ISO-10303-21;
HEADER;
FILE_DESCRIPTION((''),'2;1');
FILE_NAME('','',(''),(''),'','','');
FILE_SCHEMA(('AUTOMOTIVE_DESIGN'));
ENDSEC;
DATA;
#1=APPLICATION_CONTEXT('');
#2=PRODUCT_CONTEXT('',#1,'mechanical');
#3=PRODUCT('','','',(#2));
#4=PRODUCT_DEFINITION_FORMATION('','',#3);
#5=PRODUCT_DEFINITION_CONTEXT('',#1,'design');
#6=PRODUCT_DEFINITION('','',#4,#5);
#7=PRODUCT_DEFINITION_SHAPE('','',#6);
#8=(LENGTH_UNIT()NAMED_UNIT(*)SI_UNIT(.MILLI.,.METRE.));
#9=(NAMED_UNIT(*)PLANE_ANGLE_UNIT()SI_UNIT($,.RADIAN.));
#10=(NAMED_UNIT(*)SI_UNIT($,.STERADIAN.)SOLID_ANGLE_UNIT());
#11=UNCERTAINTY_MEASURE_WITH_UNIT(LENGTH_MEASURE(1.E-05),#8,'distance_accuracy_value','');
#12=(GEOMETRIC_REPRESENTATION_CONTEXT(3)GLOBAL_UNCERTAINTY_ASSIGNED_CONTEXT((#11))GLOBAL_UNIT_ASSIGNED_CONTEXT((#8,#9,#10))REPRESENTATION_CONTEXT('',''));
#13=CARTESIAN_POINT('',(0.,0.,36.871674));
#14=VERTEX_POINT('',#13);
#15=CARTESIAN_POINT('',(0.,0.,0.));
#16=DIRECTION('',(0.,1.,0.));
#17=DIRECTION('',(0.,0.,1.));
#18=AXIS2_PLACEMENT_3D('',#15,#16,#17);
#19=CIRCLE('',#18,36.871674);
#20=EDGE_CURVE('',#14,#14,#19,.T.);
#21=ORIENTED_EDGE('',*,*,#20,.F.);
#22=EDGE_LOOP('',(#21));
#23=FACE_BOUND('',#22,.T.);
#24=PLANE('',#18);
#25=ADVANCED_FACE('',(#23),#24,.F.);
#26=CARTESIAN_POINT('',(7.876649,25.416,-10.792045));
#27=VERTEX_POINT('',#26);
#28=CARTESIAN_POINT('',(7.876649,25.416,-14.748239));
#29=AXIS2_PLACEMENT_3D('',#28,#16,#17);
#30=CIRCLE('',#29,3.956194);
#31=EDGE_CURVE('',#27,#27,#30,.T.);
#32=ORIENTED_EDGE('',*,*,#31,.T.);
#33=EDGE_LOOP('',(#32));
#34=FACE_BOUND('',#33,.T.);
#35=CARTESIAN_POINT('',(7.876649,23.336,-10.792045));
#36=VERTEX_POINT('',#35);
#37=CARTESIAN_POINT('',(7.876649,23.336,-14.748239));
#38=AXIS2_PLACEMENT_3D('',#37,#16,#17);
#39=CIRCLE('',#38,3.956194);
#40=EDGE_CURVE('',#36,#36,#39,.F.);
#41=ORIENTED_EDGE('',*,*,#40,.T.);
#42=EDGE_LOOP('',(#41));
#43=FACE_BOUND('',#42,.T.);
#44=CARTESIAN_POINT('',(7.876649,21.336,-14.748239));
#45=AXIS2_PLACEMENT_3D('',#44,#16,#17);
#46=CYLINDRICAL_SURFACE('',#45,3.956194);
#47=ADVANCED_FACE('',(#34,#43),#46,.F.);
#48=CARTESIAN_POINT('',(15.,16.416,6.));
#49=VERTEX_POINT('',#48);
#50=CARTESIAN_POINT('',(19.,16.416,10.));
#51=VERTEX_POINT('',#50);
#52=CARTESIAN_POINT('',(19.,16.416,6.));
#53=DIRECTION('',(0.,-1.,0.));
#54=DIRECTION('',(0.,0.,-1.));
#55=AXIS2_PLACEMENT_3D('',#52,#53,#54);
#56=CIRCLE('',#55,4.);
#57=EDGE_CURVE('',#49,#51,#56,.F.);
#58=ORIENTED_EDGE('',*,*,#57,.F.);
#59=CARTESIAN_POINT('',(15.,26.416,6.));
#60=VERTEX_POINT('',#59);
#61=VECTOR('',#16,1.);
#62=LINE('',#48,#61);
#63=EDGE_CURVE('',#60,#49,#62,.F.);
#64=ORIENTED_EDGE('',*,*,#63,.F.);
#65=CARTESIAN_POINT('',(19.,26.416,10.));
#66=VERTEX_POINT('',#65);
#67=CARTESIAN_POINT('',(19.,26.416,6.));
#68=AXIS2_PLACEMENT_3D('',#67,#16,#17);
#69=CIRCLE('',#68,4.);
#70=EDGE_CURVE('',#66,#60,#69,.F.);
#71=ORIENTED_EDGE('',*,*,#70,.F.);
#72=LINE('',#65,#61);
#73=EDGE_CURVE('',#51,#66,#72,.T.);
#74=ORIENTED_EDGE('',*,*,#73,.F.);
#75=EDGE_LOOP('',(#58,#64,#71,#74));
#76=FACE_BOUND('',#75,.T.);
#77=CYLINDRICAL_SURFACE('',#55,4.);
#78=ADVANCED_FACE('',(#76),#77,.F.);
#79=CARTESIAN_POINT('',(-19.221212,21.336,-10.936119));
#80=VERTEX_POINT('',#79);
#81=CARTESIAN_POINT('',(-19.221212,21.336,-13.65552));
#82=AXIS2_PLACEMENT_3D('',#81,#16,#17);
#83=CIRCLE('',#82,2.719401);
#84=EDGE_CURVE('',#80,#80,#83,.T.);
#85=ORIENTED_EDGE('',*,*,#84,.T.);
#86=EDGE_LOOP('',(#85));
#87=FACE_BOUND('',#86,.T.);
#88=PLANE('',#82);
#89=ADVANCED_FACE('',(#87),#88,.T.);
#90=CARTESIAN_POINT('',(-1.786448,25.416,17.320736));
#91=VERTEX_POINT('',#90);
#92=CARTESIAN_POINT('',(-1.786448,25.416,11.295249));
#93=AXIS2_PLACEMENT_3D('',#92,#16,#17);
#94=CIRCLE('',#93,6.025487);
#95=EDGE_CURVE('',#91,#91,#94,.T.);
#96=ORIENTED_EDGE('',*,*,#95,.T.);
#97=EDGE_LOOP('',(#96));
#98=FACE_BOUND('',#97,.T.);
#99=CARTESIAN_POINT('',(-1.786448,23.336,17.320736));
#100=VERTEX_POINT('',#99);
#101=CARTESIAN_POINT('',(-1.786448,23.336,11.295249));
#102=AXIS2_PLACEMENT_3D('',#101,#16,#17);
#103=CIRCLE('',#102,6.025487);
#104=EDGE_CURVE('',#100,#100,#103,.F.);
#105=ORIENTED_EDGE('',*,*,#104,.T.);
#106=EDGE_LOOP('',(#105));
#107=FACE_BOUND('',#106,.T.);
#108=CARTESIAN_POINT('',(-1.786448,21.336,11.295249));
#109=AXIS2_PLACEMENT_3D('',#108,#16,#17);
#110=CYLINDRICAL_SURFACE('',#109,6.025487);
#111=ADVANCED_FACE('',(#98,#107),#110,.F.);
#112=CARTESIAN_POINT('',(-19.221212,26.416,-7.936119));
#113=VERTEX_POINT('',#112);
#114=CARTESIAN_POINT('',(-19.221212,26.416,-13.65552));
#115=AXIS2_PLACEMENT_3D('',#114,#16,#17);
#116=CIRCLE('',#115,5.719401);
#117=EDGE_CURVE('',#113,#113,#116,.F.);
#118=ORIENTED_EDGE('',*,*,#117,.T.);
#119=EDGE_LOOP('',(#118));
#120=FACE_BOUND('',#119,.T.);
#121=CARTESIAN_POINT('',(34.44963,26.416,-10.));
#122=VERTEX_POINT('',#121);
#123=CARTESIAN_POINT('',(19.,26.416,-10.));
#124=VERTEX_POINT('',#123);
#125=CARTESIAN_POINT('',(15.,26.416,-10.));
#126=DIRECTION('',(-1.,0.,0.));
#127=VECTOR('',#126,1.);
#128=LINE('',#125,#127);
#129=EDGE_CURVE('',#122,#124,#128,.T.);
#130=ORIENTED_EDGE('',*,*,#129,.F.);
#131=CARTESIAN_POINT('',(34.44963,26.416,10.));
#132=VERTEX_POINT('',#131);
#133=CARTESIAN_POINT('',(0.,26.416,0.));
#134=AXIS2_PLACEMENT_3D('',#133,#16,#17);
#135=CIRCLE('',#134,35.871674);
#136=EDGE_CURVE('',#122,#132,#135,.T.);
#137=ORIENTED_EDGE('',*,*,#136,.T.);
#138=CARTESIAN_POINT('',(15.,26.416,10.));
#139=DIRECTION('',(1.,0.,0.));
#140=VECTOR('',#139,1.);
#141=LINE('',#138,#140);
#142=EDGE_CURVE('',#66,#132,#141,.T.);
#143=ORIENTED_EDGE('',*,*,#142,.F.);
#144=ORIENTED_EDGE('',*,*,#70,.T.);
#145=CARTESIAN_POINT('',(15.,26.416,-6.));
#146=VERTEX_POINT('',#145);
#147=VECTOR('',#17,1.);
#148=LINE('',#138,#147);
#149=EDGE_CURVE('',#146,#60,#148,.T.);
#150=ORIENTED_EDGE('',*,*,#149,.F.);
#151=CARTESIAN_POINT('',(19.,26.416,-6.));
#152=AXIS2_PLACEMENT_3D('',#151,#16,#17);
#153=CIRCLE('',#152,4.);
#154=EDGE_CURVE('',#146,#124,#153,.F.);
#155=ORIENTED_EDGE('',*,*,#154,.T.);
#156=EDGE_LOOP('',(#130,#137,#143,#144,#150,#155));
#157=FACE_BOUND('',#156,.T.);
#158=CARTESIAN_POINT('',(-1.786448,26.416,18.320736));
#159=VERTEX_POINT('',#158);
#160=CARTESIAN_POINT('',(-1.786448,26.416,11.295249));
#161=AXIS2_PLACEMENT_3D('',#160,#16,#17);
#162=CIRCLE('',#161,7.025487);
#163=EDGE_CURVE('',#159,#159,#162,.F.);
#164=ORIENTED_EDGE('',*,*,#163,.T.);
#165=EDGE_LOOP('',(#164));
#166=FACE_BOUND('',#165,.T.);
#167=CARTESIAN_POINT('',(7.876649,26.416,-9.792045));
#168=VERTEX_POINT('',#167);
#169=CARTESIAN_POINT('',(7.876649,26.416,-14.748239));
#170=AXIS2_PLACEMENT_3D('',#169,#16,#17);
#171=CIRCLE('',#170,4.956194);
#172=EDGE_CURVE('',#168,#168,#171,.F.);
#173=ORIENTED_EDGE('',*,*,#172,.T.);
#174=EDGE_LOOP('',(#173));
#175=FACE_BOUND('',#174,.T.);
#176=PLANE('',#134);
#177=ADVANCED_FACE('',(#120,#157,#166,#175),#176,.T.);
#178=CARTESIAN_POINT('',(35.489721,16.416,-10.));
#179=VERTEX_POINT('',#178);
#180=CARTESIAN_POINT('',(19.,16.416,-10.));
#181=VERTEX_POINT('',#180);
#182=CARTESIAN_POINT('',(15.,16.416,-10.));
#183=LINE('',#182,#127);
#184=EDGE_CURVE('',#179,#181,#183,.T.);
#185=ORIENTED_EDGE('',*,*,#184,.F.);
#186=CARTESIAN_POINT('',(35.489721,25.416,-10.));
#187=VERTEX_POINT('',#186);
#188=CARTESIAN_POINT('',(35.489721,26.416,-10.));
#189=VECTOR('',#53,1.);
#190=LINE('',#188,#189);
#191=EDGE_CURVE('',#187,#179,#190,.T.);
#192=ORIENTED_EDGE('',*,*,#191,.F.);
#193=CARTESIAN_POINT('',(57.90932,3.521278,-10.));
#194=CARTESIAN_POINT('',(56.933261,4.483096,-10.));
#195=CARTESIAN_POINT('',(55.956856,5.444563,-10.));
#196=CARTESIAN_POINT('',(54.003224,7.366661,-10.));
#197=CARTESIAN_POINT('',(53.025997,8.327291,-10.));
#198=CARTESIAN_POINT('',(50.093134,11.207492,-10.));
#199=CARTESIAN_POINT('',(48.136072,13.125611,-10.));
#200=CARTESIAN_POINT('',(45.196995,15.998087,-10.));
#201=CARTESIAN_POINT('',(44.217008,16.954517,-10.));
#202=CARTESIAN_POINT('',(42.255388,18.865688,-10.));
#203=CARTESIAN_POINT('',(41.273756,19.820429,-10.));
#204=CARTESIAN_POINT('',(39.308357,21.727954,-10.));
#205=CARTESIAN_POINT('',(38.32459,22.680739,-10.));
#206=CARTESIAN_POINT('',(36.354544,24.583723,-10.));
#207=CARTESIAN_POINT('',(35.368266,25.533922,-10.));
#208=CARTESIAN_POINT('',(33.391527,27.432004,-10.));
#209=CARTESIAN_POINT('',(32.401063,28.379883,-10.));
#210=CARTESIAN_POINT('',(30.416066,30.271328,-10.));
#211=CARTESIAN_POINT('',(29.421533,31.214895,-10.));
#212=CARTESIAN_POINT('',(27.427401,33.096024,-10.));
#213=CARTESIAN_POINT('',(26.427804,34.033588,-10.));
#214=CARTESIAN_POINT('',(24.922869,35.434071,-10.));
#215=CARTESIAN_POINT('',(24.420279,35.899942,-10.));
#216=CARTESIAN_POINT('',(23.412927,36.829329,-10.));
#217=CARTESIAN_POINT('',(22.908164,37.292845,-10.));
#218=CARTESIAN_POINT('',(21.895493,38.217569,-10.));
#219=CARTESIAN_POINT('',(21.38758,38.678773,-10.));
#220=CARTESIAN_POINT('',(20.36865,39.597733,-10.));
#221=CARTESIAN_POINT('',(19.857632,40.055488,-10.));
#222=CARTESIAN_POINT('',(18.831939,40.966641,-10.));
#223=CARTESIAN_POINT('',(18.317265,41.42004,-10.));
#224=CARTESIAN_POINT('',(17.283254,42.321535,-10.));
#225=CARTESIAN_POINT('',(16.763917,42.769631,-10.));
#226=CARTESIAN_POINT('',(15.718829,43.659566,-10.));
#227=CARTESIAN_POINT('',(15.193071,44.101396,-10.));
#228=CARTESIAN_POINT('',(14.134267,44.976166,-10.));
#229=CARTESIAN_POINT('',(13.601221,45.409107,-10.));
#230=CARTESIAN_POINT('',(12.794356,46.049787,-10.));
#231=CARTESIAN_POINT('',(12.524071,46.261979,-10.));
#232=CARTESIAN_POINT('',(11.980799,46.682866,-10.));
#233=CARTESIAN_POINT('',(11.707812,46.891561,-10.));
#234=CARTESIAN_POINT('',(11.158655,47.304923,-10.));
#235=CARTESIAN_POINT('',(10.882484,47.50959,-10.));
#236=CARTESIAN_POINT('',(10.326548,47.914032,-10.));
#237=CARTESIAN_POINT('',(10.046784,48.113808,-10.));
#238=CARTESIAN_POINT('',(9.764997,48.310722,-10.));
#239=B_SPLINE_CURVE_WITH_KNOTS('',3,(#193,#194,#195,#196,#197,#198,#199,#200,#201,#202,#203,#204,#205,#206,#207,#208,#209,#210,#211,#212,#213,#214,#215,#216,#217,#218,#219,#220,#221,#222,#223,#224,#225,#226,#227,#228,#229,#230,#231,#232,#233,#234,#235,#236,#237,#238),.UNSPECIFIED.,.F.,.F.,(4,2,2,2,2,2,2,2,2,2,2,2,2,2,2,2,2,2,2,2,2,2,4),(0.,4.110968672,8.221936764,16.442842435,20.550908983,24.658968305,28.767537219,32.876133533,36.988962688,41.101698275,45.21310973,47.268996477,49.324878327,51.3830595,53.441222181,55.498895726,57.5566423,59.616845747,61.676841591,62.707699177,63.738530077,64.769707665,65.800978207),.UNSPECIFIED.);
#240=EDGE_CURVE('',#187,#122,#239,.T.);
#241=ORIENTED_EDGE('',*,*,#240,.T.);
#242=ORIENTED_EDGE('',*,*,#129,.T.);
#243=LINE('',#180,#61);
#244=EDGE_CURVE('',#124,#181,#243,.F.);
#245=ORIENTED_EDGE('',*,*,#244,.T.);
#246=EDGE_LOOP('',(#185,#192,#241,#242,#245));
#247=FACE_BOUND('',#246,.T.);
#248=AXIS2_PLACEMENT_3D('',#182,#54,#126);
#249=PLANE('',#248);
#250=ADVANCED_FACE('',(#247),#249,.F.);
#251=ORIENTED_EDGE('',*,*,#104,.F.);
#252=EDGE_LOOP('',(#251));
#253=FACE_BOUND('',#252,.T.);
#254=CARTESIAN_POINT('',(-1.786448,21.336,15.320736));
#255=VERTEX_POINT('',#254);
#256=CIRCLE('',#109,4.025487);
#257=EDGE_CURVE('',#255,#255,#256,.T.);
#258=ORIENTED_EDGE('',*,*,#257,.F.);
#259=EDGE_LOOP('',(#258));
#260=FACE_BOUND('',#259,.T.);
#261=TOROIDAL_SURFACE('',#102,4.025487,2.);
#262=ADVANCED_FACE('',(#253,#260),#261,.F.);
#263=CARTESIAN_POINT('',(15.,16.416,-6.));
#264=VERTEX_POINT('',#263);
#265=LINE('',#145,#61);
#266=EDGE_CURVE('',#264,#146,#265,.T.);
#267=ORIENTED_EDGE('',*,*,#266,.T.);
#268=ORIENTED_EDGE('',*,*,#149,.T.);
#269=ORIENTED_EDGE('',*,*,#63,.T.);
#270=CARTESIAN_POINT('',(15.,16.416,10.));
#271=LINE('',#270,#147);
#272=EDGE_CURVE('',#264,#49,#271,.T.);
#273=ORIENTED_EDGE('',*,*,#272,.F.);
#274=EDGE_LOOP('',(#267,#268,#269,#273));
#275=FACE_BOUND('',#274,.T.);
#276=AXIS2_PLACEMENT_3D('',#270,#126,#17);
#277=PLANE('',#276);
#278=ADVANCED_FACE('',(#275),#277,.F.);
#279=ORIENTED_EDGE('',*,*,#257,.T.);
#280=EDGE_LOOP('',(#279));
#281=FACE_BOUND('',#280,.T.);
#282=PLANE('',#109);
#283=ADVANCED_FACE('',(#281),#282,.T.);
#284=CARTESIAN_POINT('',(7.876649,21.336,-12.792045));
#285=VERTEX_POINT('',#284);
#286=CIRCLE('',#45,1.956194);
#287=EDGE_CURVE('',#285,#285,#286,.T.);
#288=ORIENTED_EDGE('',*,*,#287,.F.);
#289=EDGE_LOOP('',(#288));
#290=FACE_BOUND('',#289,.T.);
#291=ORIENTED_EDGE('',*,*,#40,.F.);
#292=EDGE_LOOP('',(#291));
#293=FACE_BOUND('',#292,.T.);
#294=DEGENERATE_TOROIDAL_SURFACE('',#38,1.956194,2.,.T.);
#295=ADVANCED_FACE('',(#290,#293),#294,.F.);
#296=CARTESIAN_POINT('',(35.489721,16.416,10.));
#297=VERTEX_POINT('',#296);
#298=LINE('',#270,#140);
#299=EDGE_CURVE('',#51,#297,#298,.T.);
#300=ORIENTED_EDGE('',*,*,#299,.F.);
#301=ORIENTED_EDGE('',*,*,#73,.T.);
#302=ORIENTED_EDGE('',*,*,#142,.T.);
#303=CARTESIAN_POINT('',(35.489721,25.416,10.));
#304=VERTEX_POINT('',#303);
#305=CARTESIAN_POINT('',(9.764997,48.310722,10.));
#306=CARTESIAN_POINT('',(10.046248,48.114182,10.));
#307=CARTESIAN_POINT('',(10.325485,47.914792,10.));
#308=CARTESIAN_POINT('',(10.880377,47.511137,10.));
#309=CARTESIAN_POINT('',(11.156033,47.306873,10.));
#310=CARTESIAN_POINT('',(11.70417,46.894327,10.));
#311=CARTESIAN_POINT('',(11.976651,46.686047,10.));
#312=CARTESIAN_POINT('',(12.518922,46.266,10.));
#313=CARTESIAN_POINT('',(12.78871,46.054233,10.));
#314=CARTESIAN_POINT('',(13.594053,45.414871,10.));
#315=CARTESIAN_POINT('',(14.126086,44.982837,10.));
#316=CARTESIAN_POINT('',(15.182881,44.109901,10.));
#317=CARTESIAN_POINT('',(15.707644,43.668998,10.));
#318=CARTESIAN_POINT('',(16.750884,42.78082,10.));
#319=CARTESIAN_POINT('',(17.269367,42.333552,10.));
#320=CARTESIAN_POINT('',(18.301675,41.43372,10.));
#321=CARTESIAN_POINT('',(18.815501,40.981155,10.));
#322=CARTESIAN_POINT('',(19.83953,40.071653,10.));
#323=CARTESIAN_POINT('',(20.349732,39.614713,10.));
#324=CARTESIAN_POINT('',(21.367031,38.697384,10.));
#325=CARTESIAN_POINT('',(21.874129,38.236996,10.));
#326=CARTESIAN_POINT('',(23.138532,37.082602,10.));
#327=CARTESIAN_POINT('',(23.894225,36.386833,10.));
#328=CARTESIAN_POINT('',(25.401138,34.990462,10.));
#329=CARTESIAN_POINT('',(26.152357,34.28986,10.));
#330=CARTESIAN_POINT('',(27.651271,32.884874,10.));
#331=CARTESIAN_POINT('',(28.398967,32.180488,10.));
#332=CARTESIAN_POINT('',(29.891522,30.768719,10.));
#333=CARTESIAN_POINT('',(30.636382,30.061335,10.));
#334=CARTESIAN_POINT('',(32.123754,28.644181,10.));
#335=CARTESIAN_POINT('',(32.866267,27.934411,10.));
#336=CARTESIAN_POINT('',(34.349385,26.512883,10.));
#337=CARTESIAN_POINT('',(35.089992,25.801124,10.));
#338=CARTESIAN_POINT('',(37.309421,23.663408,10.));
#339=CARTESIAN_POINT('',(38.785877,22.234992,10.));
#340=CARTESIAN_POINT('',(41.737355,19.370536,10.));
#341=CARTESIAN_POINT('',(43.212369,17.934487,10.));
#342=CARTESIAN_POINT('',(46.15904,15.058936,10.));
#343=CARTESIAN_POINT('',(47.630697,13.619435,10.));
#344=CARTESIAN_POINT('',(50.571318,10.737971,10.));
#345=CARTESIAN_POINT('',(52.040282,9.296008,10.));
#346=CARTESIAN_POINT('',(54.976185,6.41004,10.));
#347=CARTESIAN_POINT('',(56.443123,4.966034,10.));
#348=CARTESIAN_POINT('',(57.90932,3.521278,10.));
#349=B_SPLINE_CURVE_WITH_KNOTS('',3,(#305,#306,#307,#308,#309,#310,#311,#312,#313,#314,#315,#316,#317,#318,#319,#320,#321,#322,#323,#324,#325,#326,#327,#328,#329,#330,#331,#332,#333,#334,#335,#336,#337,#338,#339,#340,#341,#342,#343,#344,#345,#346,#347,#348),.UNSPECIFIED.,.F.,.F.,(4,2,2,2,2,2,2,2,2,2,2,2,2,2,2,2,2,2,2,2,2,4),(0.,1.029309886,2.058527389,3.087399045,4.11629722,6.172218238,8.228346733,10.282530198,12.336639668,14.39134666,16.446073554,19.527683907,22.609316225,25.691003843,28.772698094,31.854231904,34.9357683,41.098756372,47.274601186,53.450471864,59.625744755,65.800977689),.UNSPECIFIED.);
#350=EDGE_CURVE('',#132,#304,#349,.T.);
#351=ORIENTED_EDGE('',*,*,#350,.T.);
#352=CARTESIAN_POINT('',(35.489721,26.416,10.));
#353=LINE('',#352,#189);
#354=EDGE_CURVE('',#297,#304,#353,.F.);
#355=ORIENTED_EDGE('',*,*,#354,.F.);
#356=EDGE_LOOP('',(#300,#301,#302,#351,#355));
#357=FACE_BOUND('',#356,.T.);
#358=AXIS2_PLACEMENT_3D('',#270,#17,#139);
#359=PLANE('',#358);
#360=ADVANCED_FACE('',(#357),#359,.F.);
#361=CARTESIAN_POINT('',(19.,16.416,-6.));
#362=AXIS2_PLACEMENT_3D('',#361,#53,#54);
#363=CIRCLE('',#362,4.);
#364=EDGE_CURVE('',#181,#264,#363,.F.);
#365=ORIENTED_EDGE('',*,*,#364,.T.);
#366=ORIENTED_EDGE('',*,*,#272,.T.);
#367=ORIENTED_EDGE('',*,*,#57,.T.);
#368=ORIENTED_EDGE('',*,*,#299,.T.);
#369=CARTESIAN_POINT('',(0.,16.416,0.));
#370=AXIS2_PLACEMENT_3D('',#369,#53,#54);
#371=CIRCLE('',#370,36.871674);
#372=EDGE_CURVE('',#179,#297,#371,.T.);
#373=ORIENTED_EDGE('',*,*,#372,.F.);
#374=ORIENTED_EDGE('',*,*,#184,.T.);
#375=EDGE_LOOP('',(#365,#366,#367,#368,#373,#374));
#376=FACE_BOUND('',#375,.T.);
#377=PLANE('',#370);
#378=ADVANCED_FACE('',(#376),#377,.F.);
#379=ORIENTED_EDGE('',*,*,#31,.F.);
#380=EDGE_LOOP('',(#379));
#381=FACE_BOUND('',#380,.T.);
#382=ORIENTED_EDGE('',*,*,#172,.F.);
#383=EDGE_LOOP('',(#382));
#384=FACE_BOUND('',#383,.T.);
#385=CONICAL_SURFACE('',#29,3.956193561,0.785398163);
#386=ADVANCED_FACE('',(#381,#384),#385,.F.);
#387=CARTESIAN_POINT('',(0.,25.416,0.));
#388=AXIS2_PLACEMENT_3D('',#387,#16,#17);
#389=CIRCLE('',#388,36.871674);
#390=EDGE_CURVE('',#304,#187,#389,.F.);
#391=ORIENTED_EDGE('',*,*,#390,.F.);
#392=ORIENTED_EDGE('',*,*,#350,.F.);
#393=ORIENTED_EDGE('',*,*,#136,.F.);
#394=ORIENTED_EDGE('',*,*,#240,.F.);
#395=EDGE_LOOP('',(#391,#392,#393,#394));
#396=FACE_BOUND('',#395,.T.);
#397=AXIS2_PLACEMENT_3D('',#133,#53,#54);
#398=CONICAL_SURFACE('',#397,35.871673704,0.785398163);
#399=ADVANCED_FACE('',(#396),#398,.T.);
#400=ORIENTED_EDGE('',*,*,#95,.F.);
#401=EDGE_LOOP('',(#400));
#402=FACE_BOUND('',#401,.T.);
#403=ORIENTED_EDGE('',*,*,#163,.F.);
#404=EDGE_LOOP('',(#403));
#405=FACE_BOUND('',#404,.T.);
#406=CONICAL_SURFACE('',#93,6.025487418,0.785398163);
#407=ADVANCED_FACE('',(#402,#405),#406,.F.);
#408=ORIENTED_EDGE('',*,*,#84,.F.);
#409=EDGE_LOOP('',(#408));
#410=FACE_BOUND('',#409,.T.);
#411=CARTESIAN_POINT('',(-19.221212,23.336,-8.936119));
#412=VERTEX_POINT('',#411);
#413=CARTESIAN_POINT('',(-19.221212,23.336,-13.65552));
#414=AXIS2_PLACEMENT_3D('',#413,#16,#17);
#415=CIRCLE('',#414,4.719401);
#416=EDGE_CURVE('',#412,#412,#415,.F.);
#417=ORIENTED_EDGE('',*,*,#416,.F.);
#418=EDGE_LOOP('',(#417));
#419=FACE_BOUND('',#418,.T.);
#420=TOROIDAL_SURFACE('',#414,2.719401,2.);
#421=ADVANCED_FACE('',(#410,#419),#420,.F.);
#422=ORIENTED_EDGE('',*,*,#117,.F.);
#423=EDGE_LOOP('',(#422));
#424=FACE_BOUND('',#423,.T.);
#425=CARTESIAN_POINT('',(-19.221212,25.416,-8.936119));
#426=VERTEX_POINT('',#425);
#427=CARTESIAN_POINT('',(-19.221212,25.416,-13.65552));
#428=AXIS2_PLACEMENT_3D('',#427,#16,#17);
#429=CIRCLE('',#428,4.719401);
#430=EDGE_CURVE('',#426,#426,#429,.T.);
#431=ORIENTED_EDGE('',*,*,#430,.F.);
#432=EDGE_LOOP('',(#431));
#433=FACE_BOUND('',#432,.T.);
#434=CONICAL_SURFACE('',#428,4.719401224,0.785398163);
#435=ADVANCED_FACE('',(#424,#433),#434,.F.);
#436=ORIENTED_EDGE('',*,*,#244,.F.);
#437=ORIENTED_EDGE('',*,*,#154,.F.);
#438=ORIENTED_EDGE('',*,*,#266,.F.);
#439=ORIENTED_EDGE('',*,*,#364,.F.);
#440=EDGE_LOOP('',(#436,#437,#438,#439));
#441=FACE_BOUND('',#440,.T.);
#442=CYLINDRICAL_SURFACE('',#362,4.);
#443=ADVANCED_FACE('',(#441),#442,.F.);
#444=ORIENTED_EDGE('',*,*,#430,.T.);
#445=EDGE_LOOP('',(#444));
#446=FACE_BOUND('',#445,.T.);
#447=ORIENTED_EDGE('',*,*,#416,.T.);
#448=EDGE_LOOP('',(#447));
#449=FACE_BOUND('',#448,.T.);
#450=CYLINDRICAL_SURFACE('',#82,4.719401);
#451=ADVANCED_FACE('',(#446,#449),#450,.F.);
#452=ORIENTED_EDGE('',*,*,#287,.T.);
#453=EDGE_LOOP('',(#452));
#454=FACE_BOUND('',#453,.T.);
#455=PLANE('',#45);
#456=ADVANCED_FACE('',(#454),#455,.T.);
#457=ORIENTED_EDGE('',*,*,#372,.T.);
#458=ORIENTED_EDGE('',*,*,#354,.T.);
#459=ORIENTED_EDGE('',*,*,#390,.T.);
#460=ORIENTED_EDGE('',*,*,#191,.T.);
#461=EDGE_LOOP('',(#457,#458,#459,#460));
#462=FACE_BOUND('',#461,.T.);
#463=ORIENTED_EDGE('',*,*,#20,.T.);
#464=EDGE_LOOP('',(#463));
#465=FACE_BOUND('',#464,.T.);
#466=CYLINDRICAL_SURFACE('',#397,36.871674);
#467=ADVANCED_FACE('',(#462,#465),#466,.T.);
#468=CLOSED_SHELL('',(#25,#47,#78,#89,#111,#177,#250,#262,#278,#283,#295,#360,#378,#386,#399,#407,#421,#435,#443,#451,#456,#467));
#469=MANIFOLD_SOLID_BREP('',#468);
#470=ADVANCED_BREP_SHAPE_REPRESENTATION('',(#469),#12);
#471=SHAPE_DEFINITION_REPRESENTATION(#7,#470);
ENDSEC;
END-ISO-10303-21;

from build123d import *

# Parameters (mm, degrees)
SKETCH1_R           = 36.871673704
BOSS_EXTRUDE1_DEPTH = 26.416
SKETCH2_R           = 4.719401224
SKETCH2_R_2         = 3.956193561
SKETCH2_R_3         = 6.025487418
CUT_EXTRUDE1_DEPTH  = 5.08
CHAMFER1_SIZE       = 1
SKETCH4_W           = 30
SKETCH4_H           = 20
CUT_EXTRUDE2_DEPTH  = 10
FILLET1_R           = 4
FILLET3_R           = 2
CHAMFER3_SIZE       = 1


with BuildPart() as part:
    # Sketch1 → Boss-Extrude1 (new body)
    with BuildSketch(Plane(origin=(0, 0, 0), x_dir=(1, 0, 0), z_dir=(0, 1, 0))):
        with Locations(Location((0, 0, 0), (0, 0, 270))):  # turned: the seam where the file's is
            Circle(SKETCH1_R)
    extrude(amount=BOSS_EXTRUDE1_DEPTH)

    # Sketch2 → Cut-Extrude1 (cut)
    with BuildSketch(Plane(origin=(0, 26.416, 0), x_dir=(1, 0, 0), z_dir=(0, 1, 0))):
        with Locations(Location((-19.22121176, 13.655520005, 0), (0, 0, 270))):  # turned: the seam where the file's is
            Circle(SKETCH2_R)
        with Locations(Location((7.876648873, 14.748238638, 0), (0, 0, 270))):  # turned: the seam where the file's is
            Circle(SKETCH2_R_2)
        with Locations(Location((-1.786448021, -11.295248686, 0), (0, 0, 270))):  # turned: the seam where the file's is
            Circle(SKETCH2_R_3)
    extrude(amount=-CUT_EXTRUDE1_DEPTH, mode=Mode.SUBTRACT)

    # Chamfer1
    chamfer1_edges = [part.edges().sort_by_distance(p)[0] for p in [
        (0, 26.416, -36.871673704),
    ]]
    chamfer(chamfer1_edges, length=CHAMFER1_SIZE)

    # Sketch4 → Cut-Extrude2 (cut)
    with BuildSketch(Plane(origin=(0, 26.416, 0), x_dir=(1, 0, 0), z_dir=(0, 1, 0))):
        with Locations((30, 0)):
            Rectangle(SKETCH4_W, SKETCH4_H)
    extrude(amount=-CUT_EXTRUDE2_DEPTH, mode=Mode.SUBTRACT)

    # Fillet1
    fillet1_edges = [part.edges().sort_by_distance(p)[0] for p in [
        (15, 21.416, -10),
        (15, 21.416, 10),
    ]]
    fillet(fillet1_edges, radius=FILLET1_R)

    # Fillet3
    fillet3_edges = [part.edges().sort_by_distance(p)[0] for p in [
        (-1.786448021, 21.336, 5.269761268),
        (-19.22121176, 21.336, -18.374921228),
        (7.876648873, 21.336, -18.7044322),
    ]]
    fillet(fillet3_edges, radius=FILLET3_R)

    # Chamfer3
    chamfer3_edges = [part.edges().sort_by_distance(p)[0] for p in [
        (-1.786448021, 26.416, 5.269761268),
        (-19.22121176, 26.416, -18.374921228),
        (7.876648873, 26.416, -18.7044322),
    ]]
    chamfer(chamfer3_edges, length=CHAMFER3_SIZE)


solid = part.part
